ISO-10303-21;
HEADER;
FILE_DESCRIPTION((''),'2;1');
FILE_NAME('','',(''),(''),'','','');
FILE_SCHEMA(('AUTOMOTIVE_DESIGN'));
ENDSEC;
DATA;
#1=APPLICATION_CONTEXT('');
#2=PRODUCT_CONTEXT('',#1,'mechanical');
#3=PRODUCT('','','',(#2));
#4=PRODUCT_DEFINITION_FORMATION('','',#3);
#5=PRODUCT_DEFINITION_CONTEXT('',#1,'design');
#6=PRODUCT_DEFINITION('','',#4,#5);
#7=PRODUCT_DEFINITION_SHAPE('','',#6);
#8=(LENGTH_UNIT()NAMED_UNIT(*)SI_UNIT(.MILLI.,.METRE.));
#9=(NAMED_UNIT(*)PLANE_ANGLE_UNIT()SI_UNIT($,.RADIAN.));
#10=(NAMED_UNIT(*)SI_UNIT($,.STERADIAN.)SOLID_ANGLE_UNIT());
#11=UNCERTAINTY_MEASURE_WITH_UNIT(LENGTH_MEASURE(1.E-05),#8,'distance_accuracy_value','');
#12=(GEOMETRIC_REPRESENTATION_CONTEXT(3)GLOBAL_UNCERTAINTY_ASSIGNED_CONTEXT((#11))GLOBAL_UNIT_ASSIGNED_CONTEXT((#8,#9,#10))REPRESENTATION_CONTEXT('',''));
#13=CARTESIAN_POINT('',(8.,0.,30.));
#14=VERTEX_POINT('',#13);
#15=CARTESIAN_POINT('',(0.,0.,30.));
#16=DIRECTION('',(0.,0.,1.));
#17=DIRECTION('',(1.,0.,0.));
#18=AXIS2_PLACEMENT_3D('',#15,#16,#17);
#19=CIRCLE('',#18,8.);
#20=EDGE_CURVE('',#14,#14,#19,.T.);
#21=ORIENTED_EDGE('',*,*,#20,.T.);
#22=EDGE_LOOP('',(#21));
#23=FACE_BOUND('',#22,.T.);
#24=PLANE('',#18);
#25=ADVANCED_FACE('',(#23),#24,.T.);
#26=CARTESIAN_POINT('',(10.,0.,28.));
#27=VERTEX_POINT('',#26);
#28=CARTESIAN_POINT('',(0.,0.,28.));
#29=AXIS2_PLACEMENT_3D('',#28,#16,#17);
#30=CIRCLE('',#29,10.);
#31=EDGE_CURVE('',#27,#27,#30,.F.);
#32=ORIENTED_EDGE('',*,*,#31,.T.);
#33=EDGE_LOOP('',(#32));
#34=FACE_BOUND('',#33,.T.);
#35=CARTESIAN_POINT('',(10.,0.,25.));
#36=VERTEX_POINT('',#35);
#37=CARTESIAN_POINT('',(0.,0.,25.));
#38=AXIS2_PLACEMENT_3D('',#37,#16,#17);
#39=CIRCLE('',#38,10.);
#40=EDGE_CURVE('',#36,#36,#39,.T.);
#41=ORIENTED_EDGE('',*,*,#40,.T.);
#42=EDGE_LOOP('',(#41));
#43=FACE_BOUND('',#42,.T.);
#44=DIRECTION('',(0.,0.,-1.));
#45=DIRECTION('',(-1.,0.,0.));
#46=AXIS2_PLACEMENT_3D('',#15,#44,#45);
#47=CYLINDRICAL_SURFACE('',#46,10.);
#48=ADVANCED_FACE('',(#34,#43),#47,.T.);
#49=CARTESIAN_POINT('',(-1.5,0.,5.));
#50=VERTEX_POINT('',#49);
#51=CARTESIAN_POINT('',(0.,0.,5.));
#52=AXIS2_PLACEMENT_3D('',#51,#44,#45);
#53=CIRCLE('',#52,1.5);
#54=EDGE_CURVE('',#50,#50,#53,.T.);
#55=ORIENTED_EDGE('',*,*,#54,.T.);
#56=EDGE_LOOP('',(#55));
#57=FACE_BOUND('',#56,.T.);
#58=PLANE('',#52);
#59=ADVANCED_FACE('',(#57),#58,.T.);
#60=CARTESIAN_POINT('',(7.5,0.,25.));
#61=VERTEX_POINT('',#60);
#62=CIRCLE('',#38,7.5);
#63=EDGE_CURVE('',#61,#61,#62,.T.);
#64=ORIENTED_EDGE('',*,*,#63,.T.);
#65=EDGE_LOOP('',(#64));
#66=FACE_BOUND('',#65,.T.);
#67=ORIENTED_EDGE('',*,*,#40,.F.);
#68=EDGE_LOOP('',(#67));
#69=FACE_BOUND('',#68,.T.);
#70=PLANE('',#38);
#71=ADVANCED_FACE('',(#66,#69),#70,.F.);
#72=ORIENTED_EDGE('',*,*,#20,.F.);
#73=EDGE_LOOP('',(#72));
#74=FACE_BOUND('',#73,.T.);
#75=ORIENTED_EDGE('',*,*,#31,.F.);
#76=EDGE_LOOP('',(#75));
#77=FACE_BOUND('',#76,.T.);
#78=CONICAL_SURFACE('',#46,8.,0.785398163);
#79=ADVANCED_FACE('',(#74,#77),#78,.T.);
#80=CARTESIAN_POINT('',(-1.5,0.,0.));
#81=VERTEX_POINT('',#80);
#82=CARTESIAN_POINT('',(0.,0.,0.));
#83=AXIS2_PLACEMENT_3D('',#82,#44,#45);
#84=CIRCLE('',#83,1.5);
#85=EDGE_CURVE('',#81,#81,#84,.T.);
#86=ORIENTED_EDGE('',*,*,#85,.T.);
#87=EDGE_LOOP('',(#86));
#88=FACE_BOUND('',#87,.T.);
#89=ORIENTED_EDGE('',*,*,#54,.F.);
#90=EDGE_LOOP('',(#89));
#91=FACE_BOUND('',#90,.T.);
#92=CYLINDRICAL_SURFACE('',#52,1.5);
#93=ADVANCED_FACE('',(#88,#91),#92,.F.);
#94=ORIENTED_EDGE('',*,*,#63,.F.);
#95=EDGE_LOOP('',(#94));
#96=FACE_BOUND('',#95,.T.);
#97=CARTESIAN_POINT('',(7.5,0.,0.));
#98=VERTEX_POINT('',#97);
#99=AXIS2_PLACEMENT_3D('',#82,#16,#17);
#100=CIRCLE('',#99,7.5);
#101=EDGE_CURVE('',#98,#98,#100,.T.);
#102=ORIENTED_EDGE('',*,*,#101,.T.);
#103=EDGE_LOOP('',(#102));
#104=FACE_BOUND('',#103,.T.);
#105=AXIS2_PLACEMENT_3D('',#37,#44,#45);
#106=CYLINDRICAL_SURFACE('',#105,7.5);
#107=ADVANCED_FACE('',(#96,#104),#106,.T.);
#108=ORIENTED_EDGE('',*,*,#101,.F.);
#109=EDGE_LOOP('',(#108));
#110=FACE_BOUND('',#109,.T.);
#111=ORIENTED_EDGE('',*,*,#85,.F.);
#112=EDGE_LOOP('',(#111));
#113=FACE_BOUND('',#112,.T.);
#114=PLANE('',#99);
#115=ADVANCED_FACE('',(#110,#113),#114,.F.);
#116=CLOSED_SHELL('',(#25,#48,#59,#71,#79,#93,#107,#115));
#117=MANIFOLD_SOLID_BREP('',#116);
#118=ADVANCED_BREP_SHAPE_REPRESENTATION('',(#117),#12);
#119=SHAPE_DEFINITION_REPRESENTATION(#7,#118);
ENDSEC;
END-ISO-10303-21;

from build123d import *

# Parameters (mm, degrees)
SKETCH1_R           = 7.5
BOSS_EXTRUDE1_DEPTH = 25
SKETCH2_R           = 10
BOSS_EXTRUDE2_DEPTH = 5
SKETCH3_R           = 1.5
CUT_EXTRUDE1_DEPTH  = 5
CHAMFER1_SIZE       = 2


with BuildPart() as part:
    # Sketch1 → Boss-Extrude1 (new body)
    with BuildSketch(Plane.XY):
        Circle(SKETCH1_R)
    extrude(amount=BOSS_EXTRUDE1_DEPTH)

    # Sketch2 → Boss-Extrude2 (add)
    with BuildSketch(Plane.XY.offset(25)):
        Circle(SKETCH2_R)
    extrude(amount=BOSS_EXTRUDE2_DEPTH)

    # Sketch3 → Cut-Extrude1 (cut)
    with BuildSketch(Plane(origin=(0, 0, 0), x_dir=(-1, 0, 0), z_dir=(0, 0, -1))):
        Circle(SKETCH3_R)
    extrude(amount=-CUT_EXTRUDE1_DEPTH, mode=Mode.SUBTRACT)

    # Chamfer1
    chamfer1_edges = [part.edges().sort_by_distance(p)[0] for p in [
        (-10, 0, 30),
    ]]
    chamfer(chamfer1_edges, length=CHAMFER1_SIZE)


solid = part.part
